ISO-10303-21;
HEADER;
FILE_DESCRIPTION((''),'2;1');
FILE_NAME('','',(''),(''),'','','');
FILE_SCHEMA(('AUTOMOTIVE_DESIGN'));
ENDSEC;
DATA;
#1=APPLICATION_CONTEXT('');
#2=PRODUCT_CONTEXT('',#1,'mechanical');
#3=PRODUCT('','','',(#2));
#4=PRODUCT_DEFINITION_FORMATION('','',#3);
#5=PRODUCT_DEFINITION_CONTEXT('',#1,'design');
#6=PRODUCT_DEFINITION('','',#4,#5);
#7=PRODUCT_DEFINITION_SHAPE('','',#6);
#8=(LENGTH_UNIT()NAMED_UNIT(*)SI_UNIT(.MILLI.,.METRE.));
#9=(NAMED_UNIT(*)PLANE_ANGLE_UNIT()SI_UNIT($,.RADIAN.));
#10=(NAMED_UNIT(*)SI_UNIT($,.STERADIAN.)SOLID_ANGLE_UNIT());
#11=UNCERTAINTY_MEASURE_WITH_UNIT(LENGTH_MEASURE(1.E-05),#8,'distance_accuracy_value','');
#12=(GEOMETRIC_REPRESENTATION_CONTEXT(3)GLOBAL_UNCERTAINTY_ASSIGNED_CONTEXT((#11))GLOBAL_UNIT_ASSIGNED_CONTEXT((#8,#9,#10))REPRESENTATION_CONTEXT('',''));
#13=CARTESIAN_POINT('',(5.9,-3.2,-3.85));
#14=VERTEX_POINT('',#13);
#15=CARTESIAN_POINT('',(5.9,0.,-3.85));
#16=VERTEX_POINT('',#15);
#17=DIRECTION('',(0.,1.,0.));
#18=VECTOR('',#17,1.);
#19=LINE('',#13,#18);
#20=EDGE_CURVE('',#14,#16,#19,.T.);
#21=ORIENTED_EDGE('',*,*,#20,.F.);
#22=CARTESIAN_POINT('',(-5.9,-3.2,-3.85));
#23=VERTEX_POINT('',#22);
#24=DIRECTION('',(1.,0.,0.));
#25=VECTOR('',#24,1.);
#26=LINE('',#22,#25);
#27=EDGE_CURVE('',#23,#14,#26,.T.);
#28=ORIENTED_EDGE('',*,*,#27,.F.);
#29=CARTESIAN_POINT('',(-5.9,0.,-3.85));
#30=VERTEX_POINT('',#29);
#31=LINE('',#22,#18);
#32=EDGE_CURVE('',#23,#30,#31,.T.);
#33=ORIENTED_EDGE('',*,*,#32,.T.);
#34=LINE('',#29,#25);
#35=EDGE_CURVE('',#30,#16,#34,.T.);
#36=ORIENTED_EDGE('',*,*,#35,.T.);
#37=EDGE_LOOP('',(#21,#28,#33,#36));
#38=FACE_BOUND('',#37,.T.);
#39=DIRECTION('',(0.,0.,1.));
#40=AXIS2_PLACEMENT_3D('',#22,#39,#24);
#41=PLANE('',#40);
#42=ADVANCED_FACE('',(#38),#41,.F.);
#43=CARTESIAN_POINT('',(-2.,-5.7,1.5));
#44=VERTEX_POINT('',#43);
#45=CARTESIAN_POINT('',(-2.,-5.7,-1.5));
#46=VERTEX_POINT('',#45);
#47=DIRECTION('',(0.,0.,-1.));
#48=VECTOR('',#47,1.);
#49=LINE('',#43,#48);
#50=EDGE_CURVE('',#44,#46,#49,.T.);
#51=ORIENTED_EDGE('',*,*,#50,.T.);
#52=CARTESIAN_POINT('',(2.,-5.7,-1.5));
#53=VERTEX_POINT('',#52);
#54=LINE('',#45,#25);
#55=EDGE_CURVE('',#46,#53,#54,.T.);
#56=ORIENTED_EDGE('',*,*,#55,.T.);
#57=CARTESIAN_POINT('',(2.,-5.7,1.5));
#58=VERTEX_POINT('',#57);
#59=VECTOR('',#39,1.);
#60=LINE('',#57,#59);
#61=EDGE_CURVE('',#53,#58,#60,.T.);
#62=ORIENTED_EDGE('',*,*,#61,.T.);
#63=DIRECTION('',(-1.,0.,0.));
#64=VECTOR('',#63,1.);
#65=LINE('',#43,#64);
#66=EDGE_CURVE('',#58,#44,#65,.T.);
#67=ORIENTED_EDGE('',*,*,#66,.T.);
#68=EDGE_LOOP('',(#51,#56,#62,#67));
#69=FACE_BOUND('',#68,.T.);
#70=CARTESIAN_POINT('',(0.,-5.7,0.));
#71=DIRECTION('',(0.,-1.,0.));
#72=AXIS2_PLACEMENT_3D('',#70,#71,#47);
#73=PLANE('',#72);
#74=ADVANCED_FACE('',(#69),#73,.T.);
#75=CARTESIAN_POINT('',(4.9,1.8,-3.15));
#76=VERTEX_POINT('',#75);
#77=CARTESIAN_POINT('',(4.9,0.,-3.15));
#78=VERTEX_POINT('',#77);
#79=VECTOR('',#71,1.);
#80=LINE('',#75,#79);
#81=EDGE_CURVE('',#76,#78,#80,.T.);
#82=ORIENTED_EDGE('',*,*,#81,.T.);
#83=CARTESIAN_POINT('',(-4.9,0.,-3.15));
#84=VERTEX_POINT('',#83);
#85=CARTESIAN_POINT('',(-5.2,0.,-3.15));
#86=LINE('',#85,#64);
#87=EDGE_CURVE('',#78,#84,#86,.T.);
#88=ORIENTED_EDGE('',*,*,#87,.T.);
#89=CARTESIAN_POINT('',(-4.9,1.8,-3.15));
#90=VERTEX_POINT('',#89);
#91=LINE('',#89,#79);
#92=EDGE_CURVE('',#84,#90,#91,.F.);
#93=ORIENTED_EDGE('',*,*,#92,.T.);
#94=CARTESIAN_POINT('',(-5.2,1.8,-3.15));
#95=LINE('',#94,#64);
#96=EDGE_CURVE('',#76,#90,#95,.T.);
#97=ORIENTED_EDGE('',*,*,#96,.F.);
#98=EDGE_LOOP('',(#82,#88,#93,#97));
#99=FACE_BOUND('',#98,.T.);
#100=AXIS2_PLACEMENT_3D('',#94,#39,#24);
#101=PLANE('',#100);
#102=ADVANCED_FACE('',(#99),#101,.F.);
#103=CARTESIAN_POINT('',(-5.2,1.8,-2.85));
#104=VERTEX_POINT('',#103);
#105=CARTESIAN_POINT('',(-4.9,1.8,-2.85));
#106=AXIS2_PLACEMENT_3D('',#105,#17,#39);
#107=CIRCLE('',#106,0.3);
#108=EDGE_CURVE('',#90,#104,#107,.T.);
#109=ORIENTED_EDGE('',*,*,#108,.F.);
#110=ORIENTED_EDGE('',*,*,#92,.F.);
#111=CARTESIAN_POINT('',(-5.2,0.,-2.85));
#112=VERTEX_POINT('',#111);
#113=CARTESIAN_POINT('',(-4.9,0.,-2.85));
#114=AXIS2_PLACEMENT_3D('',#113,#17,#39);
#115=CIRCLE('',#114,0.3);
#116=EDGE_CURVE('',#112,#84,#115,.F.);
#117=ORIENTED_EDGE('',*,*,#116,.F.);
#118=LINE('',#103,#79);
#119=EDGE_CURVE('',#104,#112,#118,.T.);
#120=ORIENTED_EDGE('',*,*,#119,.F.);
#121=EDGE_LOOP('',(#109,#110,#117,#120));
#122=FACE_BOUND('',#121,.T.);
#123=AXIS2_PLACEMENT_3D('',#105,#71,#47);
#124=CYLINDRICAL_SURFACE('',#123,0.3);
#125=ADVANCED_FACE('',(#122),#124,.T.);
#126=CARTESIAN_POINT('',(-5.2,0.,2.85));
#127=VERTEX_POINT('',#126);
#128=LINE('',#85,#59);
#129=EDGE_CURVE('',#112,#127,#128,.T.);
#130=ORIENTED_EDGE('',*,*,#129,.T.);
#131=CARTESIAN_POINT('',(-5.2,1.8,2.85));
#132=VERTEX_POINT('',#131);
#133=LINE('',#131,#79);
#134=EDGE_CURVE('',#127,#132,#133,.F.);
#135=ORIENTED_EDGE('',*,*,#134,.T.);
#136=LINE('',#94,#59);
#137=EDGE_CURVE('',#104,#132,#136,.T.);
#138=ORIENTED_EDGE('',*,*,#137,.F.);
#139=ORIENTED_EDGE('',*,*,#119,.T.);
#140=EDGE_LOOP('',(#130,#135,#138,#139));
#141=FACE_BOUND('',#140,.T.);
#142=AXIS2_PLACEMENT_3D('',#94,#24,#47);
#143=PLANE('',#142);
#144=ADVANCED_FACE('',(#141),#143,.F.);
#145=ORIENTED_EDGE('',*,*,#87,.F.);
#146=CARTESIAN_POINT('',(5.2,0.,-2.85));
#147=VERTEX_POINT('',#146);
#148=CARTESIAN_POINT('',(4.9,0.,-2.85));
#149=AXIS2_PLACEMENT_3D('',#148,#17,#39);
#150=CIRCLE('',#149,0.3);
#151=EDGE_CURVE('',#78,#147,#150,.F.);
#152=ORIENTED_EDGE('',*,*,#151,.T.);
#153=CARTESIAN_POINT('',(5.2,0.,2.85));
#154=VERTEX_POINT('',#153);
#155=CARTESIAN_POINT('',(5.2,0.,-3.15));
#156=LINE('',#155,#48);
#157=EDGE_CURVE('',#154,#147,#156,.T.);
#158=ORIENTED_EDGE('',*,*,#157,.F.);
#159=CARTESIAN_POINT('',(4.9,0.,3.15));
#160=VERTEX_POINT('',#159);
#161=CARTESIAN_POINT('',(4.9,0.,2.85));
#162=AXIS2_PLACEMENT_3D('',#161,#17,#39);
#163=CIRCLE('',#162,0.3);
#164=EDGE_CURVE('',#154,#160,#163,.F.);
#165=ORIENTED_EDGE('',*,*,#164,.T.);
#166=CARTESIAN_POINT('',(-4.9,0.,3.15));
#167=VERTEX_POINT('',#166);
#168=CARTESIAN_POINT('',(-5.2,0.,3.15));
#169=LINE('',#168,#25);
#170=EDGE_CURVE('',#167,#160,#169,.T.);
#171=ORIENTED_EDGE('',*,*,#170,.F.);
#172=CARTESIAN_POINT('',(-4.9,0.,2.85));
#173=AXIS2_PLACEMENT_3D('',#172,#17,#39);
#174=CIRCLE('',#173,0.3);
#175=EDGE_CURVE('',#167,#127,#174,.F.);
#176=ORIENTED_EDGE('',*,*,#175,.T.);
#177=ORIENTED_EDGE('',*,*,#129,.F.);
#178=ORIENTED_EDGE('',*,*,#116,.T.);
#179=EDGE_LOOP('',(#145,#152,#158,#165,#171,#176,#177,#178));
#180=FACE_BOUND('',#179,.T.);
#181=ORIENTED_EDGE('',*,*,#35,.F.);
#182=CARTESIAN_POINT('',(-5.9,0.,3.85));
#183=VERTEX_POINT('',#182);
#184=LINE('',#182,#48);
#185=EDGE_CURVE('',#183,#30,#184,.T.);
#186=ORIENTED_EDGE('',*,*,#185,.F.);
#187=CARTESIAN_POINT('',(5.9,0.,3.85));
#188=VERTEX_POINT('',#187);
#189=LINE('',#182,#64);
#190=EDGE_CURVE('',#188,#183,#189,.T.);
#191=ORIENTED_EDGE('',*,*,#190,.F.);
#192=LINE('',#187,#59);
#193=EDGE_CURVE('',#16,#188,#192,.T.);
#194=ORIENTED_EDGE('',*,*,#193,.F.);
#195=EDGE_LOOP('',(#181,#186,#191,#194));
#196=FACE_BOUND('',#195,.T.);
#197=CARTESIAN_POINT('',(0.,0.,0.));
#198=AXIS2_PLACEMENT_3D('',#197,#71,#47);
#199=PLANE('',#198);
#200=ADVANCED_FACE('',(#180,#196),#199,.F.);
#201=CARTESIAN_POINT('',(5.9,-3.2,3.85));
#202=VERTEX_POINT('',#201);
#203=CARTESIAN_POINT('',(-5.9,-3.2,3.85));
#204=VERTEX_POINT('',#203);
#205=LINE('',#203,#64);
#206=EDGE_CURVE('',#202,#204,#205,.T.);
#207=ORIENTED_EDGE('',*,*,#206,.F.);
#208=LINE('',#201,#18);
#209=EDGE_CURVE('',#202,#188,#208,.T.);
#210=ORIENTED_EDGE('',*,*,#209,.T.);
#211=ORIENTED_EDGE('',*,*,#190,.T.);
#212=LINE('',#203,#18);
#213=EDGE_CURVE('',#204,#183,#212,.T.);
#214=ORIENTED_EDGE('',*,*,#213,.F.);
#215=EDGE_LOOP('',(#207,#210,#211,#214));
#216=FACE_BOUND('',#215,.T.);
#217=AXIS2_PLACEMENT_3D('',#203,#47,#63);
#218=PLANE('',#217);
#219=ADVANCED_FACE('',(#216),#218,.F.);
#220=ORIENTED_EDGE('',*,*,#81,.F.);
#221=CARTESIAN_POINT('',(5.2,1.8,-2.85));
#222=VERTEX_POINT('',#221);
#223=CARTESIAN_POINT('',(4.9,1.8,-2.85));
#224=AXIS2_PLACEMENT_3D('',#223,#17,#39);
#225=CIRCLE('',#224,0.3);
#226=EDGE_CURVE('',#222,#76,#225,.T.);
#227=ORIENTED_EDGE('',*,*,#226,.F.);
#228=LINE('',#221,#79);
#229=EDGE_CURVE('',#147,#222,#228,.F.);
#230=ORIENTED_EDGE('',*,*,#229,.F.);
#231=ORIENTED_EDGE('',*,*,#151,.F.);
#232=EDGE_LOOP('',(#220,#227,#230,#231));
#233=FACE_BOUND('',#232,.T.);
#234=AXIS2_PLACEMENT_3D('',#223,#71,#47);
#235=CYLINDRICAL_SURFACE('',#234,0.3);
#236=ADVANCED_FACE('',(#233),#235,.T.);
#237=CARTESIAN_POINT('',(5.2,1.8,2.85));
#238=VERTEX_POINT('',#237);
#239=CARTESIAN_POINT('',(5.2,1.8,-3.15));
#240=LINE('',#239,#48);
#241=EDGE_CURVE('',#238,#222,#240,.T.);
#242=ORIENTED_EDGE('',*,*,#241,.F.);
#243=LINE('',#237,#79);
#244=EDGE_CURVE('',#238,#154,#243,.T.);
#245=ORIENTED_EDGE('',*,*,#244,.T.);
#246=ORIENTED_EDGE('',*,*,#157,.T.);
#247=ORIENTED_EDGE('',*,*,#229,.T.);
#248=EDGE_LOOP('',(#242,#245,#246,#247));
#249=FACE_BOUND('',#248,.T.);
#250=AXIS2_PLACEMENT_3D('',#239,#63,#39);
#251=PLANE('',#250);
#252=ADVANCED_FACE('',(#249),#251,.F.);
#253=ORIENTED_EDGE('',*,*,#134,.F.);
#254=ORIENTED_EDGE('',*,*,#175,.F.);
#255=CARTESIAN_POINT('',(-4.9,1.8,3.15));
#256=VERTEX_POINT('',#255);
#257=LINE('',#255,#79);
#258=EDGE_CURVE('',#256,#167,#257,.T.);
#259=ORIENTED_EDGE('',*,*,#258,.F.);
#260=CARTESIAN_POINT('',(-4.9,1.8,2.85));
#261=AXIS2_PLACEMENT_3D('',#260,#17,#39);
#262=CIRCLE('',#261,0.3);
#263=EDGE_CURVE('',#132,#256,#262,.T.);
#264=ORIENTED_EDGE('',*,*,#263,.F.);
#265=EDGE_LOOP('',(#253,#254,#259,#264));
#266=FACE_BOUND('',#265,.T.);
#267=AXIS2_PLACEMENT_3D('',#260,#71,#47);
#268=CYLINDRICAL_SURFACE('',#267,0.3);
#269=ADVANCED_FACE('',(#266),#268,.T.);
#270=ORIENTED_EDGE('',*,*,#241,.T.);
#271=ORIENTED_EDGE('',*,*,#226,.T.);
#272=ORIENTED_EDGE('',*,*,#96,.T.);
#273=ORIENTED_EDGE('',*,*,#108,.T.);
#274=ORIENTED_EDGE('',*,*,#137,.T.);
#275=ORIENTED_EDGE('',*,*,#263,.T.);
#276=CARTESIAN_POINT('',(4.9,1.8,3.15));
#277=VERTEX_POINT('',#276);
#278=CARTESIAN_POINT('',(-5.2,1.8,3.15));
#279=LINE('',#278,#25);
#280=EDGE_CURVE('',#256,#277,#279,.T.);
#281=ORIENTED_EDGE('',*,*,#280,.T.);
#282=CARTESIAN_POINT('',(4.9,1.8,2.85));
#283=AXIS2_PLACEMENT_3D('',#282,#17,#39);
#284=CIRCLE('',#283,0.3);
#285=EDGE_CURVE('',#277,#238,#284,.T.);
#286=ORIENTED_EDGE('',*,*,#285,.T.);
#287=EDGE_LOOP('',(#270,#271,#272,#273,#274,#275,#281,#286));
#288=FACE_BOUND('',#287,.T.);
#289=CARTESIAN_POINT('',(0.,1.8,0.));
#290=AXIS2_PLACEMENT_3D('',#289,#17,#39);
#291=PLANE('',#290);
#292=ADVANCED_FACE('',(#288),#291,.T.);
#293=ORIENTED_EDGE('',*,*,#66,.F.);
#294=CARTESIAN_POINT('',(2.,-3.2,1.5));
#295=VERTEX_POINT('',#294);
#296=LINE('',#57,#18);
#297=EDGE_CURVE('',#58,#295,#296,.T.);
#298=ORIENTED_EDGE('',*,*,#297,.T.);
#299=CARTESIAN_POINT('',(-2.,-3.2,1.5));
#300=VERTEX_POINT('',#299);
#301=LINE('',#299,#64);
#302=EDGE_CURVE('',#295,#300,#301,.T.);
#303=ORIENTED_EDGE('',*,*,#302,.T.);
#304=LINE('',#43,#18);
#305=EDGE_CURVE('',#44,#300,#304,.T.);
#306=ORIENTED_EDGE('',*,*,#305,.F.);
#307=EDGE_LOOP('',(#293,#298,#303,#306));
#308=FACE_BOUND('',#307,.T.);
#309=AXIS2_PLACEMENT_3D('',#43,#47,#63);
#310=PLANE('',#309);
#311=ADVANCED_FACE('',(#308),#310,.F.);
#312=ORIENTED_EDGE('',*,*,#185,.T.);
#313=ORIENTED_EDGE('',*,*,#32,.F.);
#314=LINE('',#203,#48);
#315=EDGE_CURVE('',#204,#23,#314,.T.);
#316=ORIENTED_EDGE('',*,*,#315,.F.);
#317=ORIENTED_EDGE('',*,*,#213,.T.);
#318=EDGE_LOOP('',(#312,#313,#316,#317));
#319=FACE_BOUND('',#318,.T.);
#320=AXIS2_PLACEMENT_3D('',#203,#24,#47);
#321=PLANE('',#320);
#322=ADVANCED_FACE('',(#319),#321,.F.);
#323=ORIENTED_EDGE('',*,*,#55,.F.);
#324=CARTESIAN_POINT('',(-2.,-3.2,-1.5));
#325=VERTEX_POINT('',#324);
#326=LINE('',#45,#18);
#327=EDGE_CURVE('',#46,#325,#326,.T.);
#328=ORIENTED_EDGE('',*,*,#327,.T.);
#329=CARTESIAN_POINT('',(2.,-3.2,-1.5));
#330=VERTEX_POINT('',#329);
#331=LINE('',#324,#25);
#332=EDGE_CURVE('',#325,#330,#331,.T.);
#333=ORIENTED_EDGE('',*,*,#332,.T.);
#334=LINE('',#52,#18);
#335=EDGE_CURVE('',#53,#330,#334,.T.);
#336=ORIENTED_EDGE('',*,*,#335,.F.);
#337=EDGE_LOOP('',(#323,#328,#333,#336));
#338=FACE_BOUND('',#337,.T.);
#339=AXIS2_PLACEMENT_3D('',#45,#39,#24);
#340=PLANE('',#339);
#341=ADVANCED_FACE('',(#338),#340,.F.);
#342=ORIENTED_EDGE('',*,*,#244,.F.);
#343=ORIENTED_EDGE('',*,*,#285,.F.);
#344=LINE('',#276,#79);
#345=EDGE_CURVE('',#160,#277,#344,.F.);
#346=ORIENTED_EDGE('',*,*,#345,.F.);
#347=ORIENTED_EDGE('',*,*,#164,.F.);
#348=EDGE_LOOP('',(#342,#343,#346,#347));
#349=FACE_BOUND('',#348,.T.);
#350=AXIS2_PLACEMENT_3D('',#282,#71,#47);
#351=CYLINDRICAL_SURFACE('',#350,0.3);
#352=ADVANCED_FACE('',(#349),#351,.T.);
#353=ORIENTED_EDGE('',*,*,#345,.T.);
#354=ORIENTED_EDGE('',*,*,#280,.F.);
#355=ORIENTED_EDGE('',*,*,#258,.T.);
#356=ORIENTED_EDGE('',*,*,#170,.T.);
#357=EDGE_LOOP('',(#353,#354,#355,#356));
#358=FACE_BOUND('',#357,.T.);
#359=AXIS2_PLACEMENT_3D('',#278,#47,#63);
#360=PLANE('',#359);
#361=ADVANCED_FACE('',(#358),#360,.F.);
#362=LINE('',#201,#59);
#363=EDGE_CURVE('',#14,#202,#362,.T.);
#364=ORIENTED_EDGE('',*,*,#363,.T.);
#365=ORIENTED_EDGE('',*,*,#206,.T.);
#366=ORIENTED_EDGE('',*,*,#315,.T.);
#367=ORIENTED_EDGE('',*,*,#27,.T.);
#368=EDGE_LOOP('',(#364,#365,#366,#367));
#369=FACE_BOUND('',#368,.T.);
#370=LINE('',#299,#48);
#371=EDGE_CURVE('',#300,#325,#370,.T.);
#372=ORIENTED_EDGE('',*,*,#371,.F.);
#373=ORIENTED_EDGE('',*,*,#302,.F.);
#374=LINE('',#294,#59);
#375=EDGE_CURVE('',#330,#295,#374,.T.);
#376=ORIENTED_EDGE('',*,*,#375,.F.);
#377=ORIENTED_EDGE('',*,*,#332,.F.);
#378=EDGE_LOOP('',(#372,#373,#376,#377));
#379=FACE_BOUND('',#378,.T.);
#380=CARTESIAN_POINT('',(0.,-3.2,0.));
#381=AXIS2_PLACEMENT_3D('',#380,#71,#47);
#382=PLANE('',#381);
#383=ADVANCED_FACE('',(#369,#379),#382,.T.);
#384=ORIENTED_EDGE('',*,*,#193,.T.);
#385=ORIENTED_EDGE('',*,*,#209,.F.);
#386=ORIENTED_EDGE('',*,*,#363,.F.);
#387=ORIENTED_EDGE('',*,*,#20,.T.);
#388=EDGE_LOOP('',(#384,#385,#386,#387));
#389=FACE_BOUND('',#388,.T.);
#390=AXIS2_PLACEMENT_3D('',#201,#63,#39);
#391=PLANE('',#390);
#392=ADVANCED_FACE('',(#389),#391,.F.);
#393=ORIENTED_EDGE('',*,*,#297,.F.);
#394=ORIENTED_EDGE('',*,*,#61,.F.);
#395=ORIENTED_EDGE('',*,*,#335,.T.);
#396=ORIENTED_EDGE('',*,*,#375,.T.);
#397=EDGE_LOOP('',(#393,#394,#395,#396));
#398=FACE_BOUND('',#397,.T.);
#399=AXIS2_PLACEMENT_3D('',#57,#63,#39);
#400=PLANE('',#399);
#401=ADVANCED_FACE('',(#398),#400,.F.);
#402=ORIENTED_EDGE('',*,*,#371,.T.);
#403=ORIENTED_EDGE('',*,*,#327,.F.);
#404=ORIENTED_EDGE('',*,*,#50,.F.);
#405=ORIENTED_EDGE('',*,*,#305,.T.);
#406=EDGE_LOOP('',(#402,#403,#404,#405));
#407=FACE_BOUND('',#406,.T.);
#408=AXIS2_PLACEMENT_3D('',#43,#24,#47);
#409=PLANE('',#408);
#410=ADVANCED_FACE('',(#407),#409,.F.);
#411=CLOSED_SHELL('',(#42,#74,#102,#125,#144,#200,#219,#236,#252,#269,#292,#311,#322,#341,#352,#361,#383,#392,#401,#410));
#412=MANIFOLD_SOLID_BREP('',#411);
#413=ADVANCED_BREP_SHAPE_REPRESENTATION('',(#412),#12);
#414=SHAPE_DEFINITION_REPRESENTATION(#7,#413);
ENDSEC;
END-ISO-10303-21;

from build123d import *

# Parameters (mm, degrees)
BODY_S_W      = 10.4
BODY_S_H      = 6.3
BODY_DEPTH    = 1.8
EDGE_FILLET_R = 0.3
BASE_S_W      = 11.8
BASE_S_H      = 7.7
BASE_DEPTH    = 3.2
PEG_S_W       = 4
PEG_S_H       = 3
PEG_DEPTH     = 2.5


with BuildPart() as part:
    # body-s → body (new body)
    with BuildSketch(Plane(origin=(0, 0, 0), x_dir=(1, 0, 0), z_dir=(0, 1, 0))):
        Rectangle(BODY_S_W, BODY_S_H)
    extrude(amount=BODY_DEPTH)

    # edge-fillet
    edge_fillet_edges = [part.edges().sort_by_distance(p)[0] for p in [
        (5.2, 0.9, 3.15),
        (-5.2, 0.9, 3.15),
        (-5.2, 0.9, -3.15),
        (5.2, 0.9, -3.15),
    ]]
    fillet(edge_fillet_edges, radius=EDGE_FILLET_R)

    # base-s → base (add)
    with BuildSketch(Plane.XZ):
        Rectangle(BASE_S_W, BASE_S_H)
    extrude(amount=BASE_DEPTH)

    # peg-s → peg (add)
    with BuildSketch(Plane.XZ.offset(3.2)):
        Rectangle(PEG_S_W, PEG_S_H)
    extrude(amount=PEG_DEPTH)


solid = part.part
